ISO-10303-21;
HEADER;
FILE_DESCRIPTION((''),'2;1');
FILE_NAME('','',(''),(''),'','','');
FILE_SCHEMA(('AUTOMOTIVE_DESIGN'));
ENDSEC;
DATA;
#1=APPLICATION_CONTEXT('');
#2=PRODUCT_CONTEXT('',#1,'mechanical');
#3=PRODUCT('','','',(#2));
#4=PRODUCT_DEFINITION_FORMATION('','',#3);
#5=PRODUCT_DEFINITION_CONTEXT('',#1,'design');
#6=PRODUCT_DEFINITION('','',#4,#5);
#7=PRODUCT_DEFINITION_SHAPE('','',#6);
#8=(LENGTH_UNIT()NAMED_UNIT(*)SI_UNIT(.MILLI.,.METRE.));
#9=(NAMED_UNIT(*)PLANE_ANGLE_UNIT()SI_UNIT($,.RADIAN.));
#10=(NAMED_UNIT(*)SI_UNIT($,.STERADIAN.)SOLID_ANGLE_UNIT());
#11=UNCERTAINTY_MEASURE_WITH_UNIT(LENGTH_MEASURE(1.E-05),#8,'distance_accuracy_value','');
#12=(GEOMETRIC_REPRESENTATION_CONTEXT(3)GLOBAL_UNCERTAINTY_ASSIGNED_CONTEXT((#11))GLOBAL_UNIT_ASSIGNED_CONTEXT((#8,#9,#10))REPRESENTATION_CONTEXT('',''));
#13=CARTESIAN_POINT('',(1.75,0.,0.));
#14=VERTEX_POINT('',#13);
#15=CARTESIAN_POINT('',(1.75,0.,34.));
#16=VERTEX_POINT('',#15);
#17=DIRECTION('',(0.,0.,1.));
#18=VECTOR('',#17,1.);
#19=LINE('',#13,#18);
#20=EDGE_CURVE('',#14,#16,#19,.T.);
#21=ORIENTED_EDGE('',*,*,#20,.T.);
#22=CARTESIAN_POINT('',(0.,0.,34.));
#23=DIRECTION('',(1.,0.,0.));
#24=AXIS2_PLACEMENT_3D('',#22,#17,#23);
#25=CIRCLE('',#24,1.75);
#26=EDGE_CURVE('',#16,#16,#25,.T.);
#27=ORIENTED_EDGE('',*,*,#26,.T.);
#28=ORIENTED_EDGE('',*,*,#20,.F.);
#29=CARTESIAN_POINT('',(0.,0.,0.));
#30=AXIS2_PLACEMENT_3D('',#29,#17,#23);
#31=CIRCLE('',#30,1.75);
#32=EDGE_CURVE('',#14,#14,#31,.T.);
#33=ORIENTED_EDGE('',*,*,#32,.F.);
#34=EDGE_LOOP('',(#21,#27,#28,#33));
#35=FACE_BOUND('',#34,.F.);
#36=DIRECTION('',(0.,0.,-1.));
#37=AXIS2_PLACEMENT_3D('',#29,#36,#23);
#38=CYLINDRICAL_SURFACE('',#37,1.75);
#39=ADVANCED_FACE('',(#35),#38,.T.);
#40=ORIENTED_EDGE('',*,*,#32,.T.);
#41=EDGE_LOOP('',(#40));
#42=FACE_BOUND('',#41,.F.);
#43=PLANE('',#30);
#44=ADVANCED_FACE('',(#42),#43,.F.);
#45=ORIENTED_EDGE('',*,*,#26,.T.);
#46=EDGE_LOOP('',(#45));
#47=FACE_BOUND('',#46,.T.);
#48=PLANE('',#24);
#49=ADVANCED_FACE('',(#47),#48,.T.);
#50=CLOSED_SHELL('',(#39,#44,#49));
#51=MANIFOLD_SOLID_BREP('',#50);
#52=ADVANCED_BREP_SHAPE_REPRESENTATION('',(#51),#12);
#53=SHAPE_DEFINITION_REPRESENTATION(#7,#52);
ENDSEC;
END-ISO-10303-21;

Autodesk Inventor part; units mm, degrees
ref_plane "YZ Plane" through (0, 0, 0) normal (1, 0, 0) x (0, 1, 0)
ref_plane "XZ Plane" through (0, 0, 0) normal (0, 1, 0) x (-1, 0, 0)
ref_plane "XY Plane" through (0, 0, 0) normal (0, 0, 1) x (1, 0, 0)
sketch "Sketch1" plane through (0, 0, 0) normal (0, 0, 1) x (1, 0, 0)
  circle A0 centre (0, 0) radius 1.75
  dimension "d0" = 3.5
extrude "Extrusion1" add sketch "Sketch1" along normal blind 34
properties part number "core_y_through"
